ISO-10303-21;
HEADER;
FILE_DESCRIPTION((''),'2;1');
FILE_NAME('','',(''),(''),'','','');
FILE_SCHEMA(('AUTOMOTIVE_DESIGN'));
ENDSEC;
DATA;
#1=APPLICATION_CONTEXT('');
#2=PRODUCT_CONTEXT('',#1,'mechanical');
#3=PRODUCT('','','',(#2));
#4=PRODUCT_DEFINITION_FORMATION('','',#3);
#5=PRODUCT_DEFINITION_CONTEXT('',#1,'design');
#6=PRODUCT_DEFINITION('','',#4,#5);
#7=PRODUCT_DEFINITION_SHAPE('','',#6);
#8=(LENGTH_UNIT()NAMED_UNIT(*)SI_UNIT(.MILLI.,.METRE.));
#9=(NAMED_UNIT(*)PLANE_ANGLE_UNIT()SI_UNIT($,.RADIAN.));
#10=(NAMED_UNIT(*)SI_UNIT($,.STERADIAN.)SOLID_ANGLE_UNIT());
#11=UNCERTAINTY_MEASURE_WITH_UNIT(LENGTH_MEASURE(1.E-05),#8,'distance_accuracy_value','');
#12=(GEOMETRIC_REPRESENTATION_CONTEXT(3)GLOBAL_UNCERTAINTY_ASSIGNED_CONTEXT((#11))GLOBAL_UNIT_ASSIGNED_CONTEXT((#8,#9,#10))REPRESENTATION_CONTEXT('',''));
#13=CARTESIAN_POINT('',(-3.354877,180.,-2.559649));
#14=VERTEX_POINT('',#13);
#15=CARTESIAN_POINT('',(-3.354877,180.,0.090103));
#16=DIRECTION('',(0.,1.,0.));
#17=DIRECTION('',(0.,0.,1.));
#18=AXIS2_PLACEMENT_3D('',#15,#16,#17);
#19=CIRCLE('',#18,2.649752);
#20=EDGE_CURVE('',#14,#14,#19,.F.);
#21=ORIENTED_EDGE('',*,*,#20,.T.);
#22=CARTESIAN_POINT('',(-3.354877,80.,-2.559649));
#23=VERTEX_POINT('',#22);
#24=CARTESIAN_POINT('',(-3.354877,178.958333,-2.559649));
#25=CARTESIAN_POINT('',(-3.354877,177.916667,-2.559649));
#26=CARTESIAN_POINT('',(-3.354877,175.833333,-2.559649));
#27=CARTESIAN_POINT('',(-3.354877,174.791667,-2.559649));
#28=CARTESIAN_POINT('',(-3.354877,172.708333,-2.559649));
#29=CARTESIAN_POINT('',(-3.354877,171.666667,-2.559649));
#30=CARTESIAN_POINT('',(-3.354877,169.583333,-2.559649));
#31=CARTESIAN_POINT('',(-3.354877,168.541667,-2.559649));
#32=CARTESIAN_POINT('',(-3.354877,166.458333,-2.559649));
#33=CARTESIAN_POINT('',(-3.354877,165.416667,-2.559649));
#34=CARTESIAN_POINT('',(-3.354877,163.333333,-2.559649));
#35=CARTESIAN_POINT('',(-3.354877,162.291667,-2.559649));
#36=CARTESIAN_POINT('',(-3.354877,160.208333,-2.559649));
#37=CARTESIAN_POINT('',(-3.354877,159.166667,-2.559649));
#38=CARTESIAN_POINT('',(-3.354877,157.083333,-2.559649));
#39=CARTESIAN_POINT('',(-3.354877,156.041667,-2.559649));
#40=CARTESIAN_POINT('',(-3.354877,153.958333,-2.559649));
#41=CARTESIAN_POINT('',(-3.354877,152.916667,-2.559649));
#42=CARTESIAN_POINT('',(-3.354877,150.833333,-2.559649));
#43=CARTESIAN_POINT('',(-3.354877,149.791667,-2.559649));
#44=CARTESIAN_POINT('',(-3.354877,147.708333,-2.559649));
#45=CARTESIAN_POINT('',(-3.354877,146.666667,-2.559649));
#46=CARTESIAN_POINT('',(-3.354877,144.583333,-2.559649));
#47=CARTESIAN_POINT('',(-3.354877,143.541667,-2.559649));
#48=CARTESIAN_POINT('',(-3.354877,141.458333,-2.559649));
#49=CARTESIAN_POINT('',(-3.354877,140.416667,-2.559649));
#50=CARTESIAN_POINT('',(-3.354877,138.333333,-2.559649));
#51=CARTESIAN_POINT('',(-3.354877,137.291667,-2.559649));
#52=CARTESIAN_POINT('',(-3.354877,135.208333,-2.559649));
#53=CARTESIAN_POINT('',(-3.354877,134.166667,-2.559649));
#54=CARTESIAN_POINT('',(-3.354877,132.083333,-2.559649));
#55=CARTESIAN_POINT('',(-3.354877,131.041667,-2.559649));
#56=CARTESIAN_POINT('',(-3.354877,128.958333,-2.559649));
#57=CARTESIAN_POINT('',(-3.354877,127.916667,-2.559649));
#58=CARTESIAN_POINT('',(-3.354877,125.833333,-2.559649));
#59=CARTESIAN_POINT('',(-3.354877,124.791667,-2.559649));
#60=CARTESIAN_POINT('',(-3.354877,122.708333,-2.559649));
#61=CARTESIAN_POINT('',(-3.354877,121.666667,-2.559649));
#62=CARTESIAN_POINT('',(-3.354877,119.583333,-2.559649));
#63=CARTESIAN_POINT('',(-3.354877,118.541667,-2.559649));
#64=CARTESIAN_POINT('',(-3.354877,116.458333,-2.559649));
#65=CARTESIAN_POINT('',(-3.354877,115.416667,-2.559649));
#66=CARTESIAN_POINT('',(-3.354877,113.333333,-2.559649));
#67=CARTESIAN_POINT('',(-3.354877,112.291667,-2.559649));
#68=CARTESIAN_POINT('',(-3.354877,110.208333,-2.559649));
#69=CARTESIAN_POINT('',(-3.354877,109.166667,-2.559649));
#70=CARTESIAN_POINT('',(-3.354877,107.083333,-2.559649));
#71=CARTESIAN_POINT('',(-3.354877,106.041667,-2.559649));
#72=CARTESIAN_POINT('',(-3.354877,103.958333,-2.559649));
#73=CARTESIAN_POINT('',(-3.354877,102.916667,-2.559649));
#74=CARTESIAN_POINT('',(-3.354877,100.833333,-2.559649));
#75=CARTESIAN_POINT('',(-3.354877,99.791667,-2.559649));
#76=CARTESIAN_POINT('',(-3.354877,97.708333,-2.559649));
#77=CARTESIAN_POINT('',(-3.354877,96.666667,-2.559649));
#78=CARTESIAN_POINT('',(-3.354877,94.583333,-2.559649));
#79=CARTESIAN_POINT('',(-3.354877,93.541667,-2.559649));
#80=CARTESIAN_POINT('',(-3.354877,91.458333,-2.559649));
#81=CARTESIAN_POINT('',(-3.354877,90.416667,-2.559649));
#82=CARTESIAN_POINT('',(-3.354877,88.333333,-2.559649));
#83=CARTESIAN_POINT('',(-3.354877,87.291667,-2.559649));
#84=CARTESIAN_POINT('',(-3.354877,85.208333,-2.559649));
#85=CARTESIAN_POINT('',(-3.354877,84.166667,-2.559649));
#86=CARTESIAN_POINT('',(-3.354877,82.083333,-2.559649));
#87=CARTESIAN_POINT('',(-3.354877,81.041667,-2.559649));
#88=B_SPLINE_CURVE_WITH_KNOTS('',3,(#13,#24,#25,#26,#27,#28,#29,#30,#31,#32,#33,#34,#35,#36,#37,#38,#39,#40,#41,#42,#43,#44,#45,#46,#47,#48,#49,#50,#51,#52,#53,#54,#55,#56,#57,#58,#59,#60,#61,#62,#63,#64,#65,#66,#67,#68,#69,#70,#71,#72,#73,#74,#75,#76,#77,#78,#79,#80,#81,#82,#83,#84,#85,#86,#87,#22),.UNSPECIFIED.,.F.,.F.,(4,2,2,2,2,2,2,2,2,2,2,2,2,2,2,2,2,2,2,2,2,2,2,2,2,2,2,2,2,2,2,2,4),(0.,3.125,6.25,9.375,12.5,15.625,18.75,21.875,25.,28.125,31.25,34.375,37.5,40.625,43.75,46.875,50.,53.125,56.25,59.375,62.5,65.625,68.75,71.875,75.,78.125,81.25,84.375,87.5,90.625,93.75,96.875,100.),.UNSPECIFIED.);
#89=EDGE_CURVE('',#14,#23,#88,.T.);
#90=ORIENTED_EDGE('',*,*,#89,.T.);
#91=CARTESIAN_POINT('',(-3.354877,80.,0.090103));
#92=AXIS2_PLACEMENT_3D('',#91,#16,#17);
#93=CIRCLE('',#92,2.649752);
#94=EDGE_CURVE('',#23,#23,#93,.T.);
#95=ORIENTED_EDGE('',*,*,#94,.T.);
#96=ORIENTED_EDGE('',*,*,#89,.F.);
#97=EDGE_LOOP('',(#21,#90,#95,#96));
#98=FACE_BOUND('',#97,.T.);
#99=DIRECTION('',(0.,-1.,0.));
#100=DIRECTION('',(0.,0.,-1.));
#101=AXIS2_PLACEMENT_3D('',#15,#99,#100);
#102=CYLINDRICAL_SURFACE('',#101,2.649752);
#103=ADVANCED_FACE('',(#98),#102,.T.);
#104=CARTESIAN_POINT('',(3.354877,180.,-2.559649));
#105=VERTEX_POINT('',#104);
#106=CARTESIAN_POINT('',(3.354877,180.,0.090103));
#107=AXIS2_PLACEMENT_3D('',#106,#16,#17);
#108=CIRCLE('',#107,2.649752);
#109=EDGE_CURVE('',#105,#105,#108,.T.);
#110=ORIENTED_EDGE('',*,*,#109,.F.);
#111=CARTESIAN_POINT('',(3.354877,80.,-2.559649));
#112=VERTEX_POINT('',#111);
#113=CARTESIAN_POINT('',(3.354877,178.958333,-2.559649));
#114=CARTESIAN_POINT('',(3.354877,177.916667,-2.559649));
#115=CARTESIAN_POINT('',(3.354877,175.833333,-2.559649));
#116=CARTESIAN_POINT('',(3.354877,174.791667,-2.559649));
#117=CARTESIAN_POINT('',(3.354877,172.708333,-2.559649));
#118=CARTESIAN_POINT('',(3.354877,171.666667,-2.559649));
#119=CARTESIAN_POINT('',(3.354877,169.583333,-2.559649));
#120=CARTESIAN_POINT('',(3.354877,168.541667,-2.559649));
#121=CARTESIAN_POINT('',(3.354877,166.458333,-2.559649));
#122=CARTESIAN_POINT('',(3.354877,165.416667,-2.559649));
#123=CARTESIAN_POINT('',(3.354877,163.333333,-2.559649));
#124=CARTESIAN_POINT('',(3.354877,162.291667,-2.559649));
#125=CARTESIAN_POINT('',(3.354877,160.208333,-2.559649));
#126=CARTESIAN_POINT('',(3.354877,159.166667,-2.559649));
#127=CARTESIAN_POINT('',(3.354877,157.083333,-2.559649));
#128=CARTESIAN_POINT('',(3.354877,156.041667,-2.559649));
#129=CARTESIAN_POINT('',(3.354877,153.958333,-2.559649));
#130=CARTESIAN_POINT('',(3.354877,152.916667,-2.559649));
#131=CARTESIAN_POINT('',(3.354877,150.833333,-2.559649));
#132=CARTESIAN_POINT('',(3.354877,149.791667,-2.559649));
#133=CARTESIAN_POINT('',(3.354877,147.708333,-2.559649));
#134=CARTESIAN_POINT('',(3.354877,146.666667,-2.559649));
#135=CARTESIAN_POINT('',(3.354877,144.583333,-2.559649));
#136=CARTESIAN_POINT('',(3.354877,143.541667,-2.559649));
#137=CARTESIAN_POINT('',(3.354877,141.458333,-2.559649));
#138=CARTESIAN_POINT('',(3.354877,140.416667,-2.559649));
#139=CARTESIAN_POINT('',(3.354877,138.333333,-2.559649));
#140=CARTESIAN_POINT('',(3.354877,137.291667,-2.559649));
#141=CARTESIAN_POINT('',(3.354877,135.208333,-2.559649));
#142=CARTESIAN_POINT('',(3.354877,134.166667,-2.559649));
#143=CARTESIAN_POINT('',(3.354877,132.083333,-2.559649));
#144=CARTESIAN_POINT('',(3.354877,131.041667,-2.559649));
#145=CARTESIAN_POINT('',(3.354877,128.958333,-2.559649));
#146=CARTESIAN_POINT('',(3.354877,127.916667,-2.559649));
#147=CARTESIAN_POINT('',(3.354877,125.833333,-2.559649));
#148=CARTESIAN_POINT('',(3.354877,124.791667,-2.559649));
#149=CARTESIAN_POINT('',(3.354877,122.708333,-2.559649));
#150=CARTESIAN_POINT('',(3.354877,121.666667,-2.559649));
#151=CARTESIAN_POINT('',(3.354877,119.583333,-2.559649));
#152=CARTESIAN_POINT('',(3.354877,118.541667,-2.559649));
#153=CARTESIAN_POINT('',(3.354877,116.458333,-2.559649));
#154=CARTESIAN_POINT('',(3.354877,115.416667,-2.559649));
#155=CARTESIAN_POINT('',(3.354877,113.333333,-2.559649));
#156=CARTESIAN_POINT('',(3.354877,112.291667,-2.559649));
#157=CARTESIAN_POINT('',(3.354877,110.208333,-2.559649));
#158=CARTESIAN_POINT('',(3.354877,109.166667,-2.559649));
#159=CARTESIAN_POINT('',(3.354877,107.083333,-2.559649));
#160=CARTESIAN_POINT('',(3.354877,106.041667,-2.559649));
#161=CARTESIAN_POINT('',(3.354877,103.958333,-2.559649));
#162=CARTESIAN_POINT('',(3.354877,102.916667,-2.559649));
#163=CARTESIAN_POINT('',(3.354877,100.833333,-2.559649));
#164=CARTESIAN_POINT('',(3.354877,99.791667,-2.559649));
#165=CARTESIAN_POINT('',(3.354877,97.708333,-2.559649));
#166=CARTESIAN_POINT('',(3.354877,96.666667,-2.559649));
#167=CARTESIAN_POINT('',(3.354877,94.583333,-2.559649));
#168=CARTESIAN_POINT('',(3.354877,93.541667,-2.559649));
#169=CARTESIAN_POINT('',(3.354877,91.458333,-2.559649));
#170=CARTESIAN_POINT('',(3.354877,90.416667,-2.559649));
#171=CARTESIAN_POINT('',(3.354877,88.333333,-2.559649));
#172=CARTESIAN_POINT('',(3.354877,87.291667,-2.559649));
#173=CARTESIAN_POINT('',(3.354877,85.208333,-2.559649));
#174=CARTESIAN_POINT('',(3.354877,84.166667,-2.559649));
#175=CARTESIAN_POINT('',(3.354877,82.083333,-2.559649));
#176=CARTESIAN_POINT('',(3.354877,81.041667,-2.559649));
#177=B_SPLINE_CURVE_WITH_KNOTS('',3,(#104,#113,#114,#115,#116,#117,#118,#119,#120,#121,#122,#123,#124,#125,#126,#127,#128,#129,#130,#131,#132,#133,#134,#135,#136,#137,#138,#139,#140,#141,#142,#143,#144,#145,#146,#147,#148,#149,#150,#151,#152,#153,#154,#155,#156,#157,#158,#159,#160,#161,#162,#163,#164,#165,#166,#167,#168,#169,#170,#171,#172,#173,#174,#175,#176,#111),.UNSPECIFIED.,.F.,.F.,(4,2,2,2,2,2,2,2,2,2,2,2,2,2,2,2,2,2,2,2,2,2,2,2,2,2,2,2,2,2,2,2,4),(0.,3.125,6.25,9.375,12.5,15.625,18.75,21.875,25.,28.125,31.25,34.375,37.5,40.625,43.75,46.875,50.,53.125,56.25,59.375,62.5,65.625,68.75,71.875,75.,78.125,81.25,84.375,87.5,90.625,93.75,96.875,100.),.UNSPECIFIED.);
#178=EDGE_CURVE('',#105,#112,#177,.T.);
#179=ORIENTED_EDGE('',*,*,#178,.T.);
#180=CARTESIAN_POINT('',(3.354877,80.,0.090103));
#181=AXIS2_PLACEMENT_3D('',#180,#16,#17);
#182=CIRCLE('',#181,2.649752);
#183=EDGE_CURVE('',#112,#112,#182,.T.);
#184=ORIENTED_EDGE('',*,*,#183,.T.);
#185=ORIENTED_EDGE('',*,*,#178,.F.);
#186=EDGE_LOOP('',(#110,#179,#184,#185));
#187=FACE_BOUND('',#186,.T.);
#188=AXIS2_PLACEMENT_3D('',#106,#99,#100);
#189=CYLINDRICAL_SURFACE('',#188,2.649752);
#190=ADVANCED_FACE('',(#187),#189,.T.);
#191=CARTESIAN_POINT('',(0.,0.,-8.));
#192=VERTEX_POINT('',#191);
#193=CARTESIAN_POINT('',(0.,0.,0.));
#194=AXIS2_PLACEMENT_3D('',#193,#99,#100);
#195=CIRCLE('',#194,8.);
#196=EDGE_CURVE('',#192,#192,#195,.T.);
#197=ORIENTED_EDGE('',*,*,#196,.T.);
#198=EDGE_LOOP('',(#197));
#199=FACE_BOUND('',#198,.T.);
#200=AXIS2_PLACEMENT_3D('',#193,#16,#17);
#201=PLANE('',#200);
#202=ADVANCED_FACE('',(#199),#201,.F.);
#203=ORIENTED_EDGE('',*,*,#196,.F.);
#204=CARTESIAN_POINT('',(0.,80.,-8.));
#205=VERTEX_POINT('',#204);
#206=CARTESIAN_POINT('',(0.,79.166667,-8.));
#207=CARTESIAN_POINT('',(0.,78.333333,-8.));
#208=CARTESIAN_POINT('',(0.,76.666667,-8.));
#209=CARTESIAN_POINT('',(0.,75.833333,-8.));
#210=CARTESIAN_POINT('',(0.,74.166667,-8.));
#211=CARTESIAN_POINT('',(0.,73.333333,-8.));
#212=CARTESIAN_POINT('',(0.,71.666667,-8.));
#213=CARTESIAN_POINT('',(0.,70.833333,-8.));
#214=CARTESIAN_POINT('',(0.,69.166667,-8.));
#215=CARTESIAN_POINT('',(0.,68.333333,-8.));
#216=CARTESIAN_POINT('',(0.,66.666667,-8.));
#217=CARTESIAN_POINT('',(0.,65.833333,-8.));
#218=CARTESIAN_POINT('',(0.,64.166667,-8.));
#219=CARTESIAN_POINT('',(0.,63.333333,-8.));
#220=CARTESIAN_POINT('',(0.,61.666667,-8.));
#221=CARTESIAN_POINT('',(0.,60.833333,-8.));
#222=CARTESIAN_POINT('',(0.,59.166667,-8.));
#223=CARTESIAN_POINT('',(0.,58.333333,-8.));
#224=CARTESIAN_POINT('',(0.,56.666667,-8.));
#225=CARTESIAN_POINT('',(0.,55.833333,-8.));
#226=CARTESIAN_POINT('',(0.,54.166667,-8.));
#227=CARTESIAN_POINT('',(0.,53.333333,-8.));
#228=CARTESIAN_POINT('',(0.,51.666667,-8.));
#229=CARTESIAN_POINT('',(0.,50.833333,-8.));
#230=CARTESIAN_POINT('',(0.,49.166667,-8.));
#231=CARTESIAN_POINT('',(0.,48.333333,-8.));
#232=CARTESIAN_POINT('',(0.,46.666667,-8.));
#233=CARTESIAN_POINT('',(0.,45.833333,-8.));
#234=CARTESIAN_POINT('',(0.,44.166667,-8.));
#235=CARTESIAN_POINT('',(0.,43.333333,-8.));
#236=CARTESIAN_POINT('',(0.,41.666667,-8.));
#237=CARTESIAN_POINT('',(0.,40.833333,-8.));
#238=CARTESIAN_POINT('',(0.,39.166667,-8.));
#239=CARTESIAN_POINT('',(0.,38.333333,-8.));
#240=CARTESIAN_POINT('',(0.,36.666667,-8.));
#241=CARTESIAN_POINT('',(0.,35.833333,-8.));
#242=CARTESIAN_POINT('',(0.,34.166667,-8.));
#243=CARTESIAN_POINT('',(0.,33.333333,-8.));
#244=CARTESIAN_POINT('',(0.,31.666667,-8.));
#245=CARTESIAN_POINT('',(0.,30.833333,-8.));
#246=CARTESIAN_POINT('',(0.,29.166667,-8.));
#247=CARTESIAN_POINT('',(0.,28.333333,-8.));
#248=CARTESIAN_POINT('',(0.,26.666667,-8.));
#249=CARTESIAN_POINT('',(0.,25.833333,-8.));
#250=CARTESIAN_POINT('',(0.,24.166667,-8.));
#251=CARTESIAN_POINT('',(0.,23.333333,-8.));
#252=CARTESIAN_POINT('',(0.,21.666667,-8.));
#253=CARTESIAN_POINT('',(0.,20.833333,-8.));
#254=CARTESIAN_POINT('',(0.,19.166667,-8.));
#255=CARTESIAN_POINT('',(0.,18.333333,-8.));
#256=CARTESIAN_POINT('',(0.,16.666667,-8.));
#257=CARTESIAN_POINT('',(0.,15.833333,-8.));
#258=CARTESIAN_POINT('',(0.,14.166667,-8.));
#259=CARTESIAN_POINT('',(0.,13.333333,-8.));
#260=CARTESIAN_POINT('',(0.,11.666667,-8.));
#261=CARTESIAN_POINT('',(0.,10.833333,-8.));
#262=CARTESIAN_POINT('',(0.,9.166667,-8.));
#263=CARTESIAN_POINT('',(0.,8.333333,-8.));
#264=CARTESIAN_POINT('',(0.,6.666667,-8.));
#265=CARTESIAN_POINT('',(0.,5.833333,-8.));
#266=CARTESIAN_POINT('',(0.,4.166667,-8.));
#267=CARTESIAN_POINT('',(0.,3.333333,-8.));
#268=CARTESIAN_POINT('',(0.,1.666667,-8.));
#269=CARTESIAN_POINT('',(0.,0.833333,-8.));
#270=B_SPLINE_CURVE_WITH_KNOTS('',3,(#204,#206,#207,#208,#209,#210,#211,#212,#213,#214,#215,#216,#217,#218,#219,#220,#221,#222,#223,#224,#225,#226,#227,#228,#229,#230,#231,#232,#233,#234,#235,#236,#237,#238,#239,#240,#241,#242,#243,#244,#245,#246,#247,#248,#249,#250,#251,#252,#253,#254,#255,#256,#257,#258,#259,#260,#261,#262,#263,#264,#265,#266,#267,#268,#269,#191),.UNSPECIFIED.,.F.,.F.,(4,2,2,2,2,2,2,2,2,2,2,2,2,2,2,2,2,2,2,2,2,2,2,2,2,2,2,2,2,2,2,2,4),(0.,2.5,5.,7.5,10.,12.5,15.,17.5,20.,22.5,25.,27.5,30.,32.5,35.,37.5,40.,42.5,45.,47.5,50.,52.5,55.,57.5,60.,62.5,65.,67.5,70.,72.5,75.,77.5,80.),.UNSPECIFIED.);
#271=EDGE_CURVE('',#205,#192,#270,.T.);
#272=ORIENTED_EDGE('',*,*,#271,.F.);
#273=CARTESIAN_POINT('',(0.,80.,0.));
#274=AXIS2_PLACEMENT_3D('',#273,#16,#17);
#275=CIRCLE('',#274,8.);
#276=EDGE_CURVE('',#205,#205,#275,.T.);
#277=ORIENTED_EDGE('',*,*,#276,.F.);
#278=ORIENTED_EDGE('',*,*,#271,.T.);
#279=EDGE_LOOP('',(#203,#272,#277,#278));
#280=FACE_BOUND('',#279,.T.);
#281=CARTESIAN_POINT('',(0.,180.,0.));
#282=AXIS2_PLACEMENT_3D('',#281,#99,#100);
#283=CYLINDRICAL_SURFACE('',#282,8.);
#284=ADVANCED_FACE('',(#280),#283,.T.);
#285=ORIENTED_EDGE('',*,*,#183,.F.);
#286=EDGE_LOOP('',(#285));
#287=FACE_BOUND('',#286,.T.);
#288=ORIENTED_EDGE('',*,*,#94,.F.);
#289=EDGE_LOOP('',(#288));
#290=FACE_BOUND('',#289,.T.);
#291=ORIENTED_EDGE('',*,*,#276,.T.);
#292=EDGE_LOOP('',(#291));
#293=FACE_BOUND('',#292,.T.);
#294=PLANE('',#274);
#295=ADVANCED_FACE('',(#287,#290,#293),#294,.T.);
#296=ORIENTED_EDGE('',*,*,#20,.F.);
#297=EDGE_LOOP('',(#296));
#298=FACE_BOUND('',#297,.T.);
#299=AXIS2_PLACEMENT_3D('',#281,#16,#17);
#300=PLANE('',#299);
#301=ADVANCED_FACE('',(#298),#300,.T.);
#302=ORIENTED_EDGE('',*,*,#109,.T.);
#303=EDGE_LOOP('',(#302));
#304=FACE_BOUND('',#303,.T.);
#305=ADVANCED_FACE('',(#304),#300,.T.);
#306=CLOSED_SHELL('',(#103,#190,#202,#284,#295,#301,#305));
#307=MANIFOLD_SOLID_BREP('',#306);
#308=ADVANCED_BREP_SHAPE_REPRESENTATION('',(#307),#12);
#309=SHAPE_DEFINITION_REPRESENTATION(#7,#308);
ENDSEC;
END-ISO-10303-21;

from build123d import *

# Parameters (mm, degrees)
SKETCH_1_R          = 10.5
EXTRUDE_1_DEPTH     = 80
SKETCH_2_R          = 2.649752209
EXTRUDE_2_DEPTH     = 100
SKETCH_3_R          = 10.5
SKETCH_3_R_2        = 8
CUT_EXTRUDE_1_DEPTH = 181.61146143


with BuildPart() as part:
    # 草图1 → 凸台-拉伸1 (new body)
    with BuildSketch(Plane(origin=(0, 0, 0), x_dir=(1, 0, 0), z_dir=(0, 1, 0))):
        with Locations(Location((0, 0, 0), (0, 0, 270))):
            Circle(SKETCH_1_R)
    extrude(amount=EXTRUDE_1_DEPTH)

    # 草图2 → 凸台-拉伸2 (add)
    with BuildSketch(Plane(origin=(0, 80, 0), x_dir=(1, 0, 0), z_dir=(0, 1, 0))):
        with Locations(Location((-3.354877279, -0.090103274, 0), (0, 0, 90))):
            Circle(SKETCH_2_R)
        with Locations(Location((3.354877279, -0.090103274, 0), (0, 0, 90))):
            Circle(SKETCH_2_R)
    extrude(amount=EXTRUDE_2_DEPTH)

    # 草图3 → 切除-拉伸1 (cut, through all)
    with BuildSketch(Plane.XZ):
        Circle(SKETCH_3_R)
        with Locations(Location((0, 0, 0), (0, 0, 270))):
            Circle(SKETCH_3_R_2, mode=Mode.SUBTRACT)
    extrude(amount=-CUT_EXTRUDE_1_DEPTH, mode=Mode.SUBTRACT)


solid = part.part
